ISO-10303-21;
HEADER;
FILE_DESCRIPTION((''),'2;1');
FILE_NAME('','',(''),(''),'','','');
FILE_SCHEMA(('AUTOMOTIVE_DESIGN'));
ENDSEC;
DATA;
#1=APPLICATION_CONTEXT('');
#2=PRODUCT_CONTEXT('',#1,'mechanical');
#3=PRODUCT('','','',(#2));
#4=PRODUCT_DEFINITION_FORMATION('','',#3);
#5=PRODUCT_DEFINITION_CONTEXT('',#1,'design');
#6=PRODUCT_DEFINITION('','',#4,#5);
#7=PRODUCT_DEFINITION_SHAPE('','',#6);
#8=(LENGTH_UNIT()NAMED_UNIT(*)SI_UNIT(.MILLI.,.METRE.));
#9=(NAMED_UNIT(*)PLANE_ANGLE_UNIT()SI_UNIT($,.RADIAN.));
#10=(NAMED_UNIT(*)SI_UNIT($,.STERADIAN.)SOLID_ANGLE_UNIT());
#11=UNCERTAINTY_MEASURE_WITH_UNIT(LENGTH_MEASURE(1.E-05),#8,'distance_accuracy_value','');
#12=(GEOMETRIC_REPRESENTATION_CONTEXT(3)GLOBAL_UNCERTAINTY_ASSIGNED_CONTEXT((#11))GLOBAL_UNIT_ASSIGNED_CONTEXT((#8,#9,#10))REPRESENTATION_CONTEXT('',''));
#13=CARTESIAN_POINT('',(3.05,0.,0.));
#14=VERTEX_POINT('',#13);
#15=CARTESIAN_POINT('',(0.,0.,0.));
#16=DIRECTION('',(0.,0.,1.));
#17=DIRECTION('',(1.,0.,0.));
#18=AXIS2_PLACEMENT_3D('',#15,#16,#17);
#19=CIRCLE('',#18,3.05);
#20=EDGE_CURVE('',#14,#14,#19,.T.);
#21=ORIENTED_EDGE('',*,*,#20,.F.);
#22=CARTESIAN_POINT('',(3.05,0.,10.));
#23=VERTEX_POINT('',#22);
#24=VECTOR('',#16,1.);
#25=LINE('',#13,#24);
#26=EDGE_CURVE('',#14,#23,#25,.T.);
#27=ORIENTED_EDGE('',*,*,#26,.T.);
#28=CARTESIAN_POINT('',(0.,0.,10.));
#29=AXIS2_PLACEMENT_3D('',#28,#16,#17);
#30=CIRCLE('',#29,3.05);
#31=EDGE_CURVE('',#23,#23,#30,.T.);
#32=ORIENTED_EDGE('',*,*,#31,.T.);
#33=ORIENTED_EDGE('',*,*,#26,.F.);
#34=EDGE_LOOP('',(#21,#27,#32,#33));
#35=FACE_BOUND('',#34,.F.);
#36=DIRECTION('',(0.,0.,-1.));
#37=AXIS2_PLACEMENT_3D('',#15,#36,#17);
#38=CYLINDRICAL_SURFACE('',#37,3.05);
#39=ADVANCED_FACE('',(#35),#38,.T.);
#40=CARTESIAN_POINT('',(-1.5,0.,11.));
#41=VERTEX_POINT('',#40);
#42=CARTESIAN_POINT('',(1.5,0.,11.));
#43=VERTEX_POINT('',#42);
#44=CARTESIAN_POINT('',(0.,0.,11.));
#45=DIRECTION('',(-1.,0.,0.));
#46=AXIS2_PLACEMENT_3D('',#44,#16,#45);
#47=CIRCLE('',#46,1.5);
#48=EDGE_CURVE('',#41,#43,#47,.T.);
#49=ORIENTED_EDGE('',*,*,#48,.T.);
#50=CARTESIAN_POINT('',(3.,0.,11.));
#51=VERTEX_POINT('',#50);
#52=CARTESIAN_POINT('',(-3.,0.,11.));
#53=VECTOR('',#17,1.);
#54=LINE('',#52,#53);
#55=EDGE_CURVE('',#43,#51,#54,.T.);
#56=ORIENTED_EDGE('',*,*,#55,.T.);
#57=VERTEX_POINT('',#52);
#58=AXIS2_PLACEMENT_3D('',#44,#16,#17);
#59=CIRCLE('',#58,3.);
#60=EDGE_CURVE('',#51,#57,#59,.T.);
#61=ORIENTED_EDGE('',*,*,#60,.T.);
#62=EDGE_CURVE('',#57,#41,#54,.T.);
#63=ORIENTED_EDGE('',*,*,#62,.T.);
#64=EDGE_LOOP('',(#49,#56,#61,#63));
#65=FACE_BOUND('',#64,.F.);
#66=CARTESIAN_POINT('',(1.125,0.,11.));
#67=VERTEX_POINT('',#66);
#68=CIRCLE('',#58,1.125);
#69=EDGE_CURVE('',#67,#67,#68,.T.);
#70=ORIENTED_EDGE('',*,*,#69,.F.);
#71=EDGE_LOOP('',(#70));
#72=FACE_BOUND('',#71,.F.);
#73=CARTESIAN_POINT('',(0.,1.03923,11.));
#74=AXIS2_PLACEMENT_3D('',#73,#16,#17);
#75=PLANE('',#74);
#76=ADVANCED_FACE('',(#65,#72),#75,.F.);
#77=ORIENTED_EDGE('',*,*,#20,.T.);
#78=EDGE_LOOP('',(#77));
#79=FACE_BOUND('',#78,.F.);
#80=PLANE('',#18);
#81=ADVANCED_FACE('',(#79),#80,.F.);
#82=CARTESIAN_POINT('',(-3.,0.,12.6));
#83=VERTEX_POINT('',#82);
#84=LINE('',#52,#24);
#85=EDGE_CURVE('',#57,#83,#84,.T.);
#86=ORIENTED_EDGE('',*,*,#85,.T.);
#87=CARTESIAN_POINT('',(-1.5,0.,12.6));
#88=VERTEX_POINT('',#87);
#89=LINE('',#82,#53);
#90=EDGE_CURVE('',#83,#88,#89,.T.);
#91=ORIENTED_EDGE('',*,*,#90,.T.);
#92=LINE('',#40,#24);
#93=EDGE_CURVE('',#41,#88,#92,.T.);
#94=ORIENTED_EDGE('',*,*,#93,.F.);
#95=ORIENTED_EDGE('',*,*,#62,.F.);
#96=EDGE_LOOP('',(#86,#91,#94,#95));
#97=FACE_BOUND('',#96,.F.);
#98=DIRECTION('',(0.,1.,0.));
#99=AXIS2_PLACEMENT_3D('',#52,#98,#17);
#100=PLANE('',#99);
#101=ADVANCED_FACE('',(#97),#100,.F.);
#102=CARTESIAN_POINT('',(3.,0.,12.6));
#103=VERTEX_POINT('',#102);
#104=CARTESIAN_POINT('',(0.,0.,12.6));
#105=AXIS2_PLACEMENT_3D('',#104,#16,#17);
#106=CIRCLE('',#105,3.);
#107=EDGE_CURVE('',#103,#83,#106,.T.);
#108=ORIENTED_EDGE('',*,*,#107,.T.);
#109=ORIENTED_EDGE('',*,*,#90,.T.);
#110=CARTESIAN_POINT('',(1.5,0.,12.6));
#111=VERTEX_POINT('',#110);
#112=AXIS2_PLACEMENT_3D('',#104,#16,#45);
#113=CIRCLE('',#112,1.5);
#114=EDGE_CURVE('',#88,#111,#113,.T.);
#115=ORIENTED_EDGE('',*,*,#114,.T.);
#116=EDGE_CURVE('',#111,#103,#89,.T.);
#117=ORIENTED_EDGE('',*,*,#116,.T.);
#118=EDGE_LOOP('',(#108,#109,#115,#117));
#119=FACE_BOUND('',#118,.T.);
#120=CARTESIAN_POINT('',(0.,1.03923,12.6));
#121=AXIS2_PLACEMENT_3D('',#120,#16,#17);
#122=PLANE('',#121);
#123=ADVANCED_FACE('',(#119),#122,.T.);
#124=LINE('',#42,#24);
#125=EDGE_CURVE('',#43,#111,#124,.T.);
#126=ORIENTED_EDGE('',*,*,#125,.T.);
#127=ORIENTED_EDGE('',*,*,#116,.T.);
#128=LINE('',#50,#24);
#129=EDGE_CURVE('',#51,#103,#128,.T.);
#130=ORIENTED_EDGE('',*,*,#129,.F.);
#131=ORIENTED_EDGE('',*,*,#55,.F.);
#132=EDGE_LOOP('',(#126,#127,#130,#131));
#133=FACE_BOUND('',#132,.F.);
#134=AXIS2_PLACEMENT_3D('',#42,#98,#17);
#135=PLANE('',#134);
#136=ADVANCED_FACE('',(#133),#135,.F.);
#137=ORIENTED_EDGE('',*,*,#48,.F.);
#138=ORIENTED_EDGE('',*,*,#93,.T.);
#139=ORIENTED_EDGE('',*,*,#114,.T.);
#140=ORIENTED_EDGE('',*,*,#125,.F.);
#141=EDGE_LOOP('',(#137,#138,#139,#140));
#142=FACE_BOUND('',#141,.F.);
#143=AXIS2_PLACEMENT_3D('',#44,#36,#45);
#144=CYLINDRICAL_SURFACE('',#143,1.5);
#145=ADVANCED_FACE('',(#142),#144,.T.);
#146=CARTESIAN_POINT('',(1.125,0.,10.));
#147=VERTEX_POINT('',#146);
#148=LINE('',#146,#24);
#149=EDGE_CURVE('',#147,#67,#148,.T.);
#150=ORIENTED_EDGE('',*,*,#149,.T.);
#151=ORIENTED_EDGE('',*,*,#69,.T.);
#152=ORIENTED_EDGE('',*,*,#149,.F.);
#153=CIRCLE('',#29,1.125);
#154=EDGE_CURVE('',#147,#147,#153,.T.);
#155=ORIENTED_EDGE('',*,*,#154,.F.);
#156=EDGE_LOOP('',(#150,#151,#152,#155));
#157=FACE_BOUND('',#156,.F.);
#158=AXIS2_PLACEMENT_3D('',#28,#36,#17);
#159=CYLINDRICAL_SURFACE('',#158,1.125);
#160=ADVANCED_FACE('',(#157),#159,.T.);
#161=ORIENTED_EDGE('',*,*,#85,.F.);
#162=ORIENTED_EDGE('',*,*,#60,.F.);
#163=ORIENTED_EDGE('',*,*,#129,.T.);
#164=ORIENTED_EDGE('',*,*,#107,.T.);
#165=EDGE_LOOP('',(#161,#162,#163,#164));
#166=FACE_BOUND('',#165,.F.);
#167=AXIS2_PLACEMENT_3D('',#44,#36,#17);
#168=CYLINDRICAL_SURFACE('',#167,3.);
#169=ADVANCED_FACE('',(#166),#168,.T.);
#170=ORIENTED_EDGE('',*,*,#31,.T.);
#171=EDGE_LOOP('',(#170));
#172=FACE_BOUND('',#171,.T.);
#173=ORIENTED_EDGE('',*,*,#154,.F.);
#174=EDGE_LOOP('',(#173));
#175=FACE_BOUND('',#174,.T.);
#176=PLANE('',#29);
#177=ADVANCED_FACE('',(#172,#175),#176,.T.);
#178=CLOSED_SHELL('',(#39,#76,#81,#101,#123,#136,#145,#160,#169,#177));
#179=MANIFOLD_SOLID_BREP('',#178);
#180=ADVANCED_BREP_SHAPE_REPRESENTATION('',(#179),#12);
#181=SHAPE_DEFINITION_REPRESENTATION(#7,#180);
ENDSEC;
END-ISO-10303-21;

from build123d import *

# Parameters (mm, degrees)
F3_R     = 3.05
F4_DEPTH = 10
F5_R     = 1.125
F6_DEPTH = 1
F8_DEPTH = 1.6


with BuildPart() as f4:
    # F3 (on Top) → F4 (new body)
    with BuildSketch(Plane.XY):
        Circle(F3_R)
    extrude(amount=F4_DEPTH)

    # F5 (on face) → F6 (join)
    with BuildSketch(Plane.XY.offset(10)):
        Circle(F5_R)
    extrude(amount=F6_DEPTH)

    # F7 (on face) → F8 (join)
    with BuildSketch(Plane.XY.offset(11)):
        with BuildLine():
            ThreePointArc((3, 0), (0, 3), (-3, 0))
            Line((-3, 0), (-1.5, 0))
            Line((-1.5, 0), (1.5, 0))
            Line((1.5, 0), (3, 0))
        make_face()
        with BuildLine():
            Line((1.5, 0), (-1.5, 0))
            ThreePointArc((-1.5, 0), (0, -1.5), (1.5, 0))
        make_face()
    extrude(amount=F8_DEPTH)


solid = f4.part
